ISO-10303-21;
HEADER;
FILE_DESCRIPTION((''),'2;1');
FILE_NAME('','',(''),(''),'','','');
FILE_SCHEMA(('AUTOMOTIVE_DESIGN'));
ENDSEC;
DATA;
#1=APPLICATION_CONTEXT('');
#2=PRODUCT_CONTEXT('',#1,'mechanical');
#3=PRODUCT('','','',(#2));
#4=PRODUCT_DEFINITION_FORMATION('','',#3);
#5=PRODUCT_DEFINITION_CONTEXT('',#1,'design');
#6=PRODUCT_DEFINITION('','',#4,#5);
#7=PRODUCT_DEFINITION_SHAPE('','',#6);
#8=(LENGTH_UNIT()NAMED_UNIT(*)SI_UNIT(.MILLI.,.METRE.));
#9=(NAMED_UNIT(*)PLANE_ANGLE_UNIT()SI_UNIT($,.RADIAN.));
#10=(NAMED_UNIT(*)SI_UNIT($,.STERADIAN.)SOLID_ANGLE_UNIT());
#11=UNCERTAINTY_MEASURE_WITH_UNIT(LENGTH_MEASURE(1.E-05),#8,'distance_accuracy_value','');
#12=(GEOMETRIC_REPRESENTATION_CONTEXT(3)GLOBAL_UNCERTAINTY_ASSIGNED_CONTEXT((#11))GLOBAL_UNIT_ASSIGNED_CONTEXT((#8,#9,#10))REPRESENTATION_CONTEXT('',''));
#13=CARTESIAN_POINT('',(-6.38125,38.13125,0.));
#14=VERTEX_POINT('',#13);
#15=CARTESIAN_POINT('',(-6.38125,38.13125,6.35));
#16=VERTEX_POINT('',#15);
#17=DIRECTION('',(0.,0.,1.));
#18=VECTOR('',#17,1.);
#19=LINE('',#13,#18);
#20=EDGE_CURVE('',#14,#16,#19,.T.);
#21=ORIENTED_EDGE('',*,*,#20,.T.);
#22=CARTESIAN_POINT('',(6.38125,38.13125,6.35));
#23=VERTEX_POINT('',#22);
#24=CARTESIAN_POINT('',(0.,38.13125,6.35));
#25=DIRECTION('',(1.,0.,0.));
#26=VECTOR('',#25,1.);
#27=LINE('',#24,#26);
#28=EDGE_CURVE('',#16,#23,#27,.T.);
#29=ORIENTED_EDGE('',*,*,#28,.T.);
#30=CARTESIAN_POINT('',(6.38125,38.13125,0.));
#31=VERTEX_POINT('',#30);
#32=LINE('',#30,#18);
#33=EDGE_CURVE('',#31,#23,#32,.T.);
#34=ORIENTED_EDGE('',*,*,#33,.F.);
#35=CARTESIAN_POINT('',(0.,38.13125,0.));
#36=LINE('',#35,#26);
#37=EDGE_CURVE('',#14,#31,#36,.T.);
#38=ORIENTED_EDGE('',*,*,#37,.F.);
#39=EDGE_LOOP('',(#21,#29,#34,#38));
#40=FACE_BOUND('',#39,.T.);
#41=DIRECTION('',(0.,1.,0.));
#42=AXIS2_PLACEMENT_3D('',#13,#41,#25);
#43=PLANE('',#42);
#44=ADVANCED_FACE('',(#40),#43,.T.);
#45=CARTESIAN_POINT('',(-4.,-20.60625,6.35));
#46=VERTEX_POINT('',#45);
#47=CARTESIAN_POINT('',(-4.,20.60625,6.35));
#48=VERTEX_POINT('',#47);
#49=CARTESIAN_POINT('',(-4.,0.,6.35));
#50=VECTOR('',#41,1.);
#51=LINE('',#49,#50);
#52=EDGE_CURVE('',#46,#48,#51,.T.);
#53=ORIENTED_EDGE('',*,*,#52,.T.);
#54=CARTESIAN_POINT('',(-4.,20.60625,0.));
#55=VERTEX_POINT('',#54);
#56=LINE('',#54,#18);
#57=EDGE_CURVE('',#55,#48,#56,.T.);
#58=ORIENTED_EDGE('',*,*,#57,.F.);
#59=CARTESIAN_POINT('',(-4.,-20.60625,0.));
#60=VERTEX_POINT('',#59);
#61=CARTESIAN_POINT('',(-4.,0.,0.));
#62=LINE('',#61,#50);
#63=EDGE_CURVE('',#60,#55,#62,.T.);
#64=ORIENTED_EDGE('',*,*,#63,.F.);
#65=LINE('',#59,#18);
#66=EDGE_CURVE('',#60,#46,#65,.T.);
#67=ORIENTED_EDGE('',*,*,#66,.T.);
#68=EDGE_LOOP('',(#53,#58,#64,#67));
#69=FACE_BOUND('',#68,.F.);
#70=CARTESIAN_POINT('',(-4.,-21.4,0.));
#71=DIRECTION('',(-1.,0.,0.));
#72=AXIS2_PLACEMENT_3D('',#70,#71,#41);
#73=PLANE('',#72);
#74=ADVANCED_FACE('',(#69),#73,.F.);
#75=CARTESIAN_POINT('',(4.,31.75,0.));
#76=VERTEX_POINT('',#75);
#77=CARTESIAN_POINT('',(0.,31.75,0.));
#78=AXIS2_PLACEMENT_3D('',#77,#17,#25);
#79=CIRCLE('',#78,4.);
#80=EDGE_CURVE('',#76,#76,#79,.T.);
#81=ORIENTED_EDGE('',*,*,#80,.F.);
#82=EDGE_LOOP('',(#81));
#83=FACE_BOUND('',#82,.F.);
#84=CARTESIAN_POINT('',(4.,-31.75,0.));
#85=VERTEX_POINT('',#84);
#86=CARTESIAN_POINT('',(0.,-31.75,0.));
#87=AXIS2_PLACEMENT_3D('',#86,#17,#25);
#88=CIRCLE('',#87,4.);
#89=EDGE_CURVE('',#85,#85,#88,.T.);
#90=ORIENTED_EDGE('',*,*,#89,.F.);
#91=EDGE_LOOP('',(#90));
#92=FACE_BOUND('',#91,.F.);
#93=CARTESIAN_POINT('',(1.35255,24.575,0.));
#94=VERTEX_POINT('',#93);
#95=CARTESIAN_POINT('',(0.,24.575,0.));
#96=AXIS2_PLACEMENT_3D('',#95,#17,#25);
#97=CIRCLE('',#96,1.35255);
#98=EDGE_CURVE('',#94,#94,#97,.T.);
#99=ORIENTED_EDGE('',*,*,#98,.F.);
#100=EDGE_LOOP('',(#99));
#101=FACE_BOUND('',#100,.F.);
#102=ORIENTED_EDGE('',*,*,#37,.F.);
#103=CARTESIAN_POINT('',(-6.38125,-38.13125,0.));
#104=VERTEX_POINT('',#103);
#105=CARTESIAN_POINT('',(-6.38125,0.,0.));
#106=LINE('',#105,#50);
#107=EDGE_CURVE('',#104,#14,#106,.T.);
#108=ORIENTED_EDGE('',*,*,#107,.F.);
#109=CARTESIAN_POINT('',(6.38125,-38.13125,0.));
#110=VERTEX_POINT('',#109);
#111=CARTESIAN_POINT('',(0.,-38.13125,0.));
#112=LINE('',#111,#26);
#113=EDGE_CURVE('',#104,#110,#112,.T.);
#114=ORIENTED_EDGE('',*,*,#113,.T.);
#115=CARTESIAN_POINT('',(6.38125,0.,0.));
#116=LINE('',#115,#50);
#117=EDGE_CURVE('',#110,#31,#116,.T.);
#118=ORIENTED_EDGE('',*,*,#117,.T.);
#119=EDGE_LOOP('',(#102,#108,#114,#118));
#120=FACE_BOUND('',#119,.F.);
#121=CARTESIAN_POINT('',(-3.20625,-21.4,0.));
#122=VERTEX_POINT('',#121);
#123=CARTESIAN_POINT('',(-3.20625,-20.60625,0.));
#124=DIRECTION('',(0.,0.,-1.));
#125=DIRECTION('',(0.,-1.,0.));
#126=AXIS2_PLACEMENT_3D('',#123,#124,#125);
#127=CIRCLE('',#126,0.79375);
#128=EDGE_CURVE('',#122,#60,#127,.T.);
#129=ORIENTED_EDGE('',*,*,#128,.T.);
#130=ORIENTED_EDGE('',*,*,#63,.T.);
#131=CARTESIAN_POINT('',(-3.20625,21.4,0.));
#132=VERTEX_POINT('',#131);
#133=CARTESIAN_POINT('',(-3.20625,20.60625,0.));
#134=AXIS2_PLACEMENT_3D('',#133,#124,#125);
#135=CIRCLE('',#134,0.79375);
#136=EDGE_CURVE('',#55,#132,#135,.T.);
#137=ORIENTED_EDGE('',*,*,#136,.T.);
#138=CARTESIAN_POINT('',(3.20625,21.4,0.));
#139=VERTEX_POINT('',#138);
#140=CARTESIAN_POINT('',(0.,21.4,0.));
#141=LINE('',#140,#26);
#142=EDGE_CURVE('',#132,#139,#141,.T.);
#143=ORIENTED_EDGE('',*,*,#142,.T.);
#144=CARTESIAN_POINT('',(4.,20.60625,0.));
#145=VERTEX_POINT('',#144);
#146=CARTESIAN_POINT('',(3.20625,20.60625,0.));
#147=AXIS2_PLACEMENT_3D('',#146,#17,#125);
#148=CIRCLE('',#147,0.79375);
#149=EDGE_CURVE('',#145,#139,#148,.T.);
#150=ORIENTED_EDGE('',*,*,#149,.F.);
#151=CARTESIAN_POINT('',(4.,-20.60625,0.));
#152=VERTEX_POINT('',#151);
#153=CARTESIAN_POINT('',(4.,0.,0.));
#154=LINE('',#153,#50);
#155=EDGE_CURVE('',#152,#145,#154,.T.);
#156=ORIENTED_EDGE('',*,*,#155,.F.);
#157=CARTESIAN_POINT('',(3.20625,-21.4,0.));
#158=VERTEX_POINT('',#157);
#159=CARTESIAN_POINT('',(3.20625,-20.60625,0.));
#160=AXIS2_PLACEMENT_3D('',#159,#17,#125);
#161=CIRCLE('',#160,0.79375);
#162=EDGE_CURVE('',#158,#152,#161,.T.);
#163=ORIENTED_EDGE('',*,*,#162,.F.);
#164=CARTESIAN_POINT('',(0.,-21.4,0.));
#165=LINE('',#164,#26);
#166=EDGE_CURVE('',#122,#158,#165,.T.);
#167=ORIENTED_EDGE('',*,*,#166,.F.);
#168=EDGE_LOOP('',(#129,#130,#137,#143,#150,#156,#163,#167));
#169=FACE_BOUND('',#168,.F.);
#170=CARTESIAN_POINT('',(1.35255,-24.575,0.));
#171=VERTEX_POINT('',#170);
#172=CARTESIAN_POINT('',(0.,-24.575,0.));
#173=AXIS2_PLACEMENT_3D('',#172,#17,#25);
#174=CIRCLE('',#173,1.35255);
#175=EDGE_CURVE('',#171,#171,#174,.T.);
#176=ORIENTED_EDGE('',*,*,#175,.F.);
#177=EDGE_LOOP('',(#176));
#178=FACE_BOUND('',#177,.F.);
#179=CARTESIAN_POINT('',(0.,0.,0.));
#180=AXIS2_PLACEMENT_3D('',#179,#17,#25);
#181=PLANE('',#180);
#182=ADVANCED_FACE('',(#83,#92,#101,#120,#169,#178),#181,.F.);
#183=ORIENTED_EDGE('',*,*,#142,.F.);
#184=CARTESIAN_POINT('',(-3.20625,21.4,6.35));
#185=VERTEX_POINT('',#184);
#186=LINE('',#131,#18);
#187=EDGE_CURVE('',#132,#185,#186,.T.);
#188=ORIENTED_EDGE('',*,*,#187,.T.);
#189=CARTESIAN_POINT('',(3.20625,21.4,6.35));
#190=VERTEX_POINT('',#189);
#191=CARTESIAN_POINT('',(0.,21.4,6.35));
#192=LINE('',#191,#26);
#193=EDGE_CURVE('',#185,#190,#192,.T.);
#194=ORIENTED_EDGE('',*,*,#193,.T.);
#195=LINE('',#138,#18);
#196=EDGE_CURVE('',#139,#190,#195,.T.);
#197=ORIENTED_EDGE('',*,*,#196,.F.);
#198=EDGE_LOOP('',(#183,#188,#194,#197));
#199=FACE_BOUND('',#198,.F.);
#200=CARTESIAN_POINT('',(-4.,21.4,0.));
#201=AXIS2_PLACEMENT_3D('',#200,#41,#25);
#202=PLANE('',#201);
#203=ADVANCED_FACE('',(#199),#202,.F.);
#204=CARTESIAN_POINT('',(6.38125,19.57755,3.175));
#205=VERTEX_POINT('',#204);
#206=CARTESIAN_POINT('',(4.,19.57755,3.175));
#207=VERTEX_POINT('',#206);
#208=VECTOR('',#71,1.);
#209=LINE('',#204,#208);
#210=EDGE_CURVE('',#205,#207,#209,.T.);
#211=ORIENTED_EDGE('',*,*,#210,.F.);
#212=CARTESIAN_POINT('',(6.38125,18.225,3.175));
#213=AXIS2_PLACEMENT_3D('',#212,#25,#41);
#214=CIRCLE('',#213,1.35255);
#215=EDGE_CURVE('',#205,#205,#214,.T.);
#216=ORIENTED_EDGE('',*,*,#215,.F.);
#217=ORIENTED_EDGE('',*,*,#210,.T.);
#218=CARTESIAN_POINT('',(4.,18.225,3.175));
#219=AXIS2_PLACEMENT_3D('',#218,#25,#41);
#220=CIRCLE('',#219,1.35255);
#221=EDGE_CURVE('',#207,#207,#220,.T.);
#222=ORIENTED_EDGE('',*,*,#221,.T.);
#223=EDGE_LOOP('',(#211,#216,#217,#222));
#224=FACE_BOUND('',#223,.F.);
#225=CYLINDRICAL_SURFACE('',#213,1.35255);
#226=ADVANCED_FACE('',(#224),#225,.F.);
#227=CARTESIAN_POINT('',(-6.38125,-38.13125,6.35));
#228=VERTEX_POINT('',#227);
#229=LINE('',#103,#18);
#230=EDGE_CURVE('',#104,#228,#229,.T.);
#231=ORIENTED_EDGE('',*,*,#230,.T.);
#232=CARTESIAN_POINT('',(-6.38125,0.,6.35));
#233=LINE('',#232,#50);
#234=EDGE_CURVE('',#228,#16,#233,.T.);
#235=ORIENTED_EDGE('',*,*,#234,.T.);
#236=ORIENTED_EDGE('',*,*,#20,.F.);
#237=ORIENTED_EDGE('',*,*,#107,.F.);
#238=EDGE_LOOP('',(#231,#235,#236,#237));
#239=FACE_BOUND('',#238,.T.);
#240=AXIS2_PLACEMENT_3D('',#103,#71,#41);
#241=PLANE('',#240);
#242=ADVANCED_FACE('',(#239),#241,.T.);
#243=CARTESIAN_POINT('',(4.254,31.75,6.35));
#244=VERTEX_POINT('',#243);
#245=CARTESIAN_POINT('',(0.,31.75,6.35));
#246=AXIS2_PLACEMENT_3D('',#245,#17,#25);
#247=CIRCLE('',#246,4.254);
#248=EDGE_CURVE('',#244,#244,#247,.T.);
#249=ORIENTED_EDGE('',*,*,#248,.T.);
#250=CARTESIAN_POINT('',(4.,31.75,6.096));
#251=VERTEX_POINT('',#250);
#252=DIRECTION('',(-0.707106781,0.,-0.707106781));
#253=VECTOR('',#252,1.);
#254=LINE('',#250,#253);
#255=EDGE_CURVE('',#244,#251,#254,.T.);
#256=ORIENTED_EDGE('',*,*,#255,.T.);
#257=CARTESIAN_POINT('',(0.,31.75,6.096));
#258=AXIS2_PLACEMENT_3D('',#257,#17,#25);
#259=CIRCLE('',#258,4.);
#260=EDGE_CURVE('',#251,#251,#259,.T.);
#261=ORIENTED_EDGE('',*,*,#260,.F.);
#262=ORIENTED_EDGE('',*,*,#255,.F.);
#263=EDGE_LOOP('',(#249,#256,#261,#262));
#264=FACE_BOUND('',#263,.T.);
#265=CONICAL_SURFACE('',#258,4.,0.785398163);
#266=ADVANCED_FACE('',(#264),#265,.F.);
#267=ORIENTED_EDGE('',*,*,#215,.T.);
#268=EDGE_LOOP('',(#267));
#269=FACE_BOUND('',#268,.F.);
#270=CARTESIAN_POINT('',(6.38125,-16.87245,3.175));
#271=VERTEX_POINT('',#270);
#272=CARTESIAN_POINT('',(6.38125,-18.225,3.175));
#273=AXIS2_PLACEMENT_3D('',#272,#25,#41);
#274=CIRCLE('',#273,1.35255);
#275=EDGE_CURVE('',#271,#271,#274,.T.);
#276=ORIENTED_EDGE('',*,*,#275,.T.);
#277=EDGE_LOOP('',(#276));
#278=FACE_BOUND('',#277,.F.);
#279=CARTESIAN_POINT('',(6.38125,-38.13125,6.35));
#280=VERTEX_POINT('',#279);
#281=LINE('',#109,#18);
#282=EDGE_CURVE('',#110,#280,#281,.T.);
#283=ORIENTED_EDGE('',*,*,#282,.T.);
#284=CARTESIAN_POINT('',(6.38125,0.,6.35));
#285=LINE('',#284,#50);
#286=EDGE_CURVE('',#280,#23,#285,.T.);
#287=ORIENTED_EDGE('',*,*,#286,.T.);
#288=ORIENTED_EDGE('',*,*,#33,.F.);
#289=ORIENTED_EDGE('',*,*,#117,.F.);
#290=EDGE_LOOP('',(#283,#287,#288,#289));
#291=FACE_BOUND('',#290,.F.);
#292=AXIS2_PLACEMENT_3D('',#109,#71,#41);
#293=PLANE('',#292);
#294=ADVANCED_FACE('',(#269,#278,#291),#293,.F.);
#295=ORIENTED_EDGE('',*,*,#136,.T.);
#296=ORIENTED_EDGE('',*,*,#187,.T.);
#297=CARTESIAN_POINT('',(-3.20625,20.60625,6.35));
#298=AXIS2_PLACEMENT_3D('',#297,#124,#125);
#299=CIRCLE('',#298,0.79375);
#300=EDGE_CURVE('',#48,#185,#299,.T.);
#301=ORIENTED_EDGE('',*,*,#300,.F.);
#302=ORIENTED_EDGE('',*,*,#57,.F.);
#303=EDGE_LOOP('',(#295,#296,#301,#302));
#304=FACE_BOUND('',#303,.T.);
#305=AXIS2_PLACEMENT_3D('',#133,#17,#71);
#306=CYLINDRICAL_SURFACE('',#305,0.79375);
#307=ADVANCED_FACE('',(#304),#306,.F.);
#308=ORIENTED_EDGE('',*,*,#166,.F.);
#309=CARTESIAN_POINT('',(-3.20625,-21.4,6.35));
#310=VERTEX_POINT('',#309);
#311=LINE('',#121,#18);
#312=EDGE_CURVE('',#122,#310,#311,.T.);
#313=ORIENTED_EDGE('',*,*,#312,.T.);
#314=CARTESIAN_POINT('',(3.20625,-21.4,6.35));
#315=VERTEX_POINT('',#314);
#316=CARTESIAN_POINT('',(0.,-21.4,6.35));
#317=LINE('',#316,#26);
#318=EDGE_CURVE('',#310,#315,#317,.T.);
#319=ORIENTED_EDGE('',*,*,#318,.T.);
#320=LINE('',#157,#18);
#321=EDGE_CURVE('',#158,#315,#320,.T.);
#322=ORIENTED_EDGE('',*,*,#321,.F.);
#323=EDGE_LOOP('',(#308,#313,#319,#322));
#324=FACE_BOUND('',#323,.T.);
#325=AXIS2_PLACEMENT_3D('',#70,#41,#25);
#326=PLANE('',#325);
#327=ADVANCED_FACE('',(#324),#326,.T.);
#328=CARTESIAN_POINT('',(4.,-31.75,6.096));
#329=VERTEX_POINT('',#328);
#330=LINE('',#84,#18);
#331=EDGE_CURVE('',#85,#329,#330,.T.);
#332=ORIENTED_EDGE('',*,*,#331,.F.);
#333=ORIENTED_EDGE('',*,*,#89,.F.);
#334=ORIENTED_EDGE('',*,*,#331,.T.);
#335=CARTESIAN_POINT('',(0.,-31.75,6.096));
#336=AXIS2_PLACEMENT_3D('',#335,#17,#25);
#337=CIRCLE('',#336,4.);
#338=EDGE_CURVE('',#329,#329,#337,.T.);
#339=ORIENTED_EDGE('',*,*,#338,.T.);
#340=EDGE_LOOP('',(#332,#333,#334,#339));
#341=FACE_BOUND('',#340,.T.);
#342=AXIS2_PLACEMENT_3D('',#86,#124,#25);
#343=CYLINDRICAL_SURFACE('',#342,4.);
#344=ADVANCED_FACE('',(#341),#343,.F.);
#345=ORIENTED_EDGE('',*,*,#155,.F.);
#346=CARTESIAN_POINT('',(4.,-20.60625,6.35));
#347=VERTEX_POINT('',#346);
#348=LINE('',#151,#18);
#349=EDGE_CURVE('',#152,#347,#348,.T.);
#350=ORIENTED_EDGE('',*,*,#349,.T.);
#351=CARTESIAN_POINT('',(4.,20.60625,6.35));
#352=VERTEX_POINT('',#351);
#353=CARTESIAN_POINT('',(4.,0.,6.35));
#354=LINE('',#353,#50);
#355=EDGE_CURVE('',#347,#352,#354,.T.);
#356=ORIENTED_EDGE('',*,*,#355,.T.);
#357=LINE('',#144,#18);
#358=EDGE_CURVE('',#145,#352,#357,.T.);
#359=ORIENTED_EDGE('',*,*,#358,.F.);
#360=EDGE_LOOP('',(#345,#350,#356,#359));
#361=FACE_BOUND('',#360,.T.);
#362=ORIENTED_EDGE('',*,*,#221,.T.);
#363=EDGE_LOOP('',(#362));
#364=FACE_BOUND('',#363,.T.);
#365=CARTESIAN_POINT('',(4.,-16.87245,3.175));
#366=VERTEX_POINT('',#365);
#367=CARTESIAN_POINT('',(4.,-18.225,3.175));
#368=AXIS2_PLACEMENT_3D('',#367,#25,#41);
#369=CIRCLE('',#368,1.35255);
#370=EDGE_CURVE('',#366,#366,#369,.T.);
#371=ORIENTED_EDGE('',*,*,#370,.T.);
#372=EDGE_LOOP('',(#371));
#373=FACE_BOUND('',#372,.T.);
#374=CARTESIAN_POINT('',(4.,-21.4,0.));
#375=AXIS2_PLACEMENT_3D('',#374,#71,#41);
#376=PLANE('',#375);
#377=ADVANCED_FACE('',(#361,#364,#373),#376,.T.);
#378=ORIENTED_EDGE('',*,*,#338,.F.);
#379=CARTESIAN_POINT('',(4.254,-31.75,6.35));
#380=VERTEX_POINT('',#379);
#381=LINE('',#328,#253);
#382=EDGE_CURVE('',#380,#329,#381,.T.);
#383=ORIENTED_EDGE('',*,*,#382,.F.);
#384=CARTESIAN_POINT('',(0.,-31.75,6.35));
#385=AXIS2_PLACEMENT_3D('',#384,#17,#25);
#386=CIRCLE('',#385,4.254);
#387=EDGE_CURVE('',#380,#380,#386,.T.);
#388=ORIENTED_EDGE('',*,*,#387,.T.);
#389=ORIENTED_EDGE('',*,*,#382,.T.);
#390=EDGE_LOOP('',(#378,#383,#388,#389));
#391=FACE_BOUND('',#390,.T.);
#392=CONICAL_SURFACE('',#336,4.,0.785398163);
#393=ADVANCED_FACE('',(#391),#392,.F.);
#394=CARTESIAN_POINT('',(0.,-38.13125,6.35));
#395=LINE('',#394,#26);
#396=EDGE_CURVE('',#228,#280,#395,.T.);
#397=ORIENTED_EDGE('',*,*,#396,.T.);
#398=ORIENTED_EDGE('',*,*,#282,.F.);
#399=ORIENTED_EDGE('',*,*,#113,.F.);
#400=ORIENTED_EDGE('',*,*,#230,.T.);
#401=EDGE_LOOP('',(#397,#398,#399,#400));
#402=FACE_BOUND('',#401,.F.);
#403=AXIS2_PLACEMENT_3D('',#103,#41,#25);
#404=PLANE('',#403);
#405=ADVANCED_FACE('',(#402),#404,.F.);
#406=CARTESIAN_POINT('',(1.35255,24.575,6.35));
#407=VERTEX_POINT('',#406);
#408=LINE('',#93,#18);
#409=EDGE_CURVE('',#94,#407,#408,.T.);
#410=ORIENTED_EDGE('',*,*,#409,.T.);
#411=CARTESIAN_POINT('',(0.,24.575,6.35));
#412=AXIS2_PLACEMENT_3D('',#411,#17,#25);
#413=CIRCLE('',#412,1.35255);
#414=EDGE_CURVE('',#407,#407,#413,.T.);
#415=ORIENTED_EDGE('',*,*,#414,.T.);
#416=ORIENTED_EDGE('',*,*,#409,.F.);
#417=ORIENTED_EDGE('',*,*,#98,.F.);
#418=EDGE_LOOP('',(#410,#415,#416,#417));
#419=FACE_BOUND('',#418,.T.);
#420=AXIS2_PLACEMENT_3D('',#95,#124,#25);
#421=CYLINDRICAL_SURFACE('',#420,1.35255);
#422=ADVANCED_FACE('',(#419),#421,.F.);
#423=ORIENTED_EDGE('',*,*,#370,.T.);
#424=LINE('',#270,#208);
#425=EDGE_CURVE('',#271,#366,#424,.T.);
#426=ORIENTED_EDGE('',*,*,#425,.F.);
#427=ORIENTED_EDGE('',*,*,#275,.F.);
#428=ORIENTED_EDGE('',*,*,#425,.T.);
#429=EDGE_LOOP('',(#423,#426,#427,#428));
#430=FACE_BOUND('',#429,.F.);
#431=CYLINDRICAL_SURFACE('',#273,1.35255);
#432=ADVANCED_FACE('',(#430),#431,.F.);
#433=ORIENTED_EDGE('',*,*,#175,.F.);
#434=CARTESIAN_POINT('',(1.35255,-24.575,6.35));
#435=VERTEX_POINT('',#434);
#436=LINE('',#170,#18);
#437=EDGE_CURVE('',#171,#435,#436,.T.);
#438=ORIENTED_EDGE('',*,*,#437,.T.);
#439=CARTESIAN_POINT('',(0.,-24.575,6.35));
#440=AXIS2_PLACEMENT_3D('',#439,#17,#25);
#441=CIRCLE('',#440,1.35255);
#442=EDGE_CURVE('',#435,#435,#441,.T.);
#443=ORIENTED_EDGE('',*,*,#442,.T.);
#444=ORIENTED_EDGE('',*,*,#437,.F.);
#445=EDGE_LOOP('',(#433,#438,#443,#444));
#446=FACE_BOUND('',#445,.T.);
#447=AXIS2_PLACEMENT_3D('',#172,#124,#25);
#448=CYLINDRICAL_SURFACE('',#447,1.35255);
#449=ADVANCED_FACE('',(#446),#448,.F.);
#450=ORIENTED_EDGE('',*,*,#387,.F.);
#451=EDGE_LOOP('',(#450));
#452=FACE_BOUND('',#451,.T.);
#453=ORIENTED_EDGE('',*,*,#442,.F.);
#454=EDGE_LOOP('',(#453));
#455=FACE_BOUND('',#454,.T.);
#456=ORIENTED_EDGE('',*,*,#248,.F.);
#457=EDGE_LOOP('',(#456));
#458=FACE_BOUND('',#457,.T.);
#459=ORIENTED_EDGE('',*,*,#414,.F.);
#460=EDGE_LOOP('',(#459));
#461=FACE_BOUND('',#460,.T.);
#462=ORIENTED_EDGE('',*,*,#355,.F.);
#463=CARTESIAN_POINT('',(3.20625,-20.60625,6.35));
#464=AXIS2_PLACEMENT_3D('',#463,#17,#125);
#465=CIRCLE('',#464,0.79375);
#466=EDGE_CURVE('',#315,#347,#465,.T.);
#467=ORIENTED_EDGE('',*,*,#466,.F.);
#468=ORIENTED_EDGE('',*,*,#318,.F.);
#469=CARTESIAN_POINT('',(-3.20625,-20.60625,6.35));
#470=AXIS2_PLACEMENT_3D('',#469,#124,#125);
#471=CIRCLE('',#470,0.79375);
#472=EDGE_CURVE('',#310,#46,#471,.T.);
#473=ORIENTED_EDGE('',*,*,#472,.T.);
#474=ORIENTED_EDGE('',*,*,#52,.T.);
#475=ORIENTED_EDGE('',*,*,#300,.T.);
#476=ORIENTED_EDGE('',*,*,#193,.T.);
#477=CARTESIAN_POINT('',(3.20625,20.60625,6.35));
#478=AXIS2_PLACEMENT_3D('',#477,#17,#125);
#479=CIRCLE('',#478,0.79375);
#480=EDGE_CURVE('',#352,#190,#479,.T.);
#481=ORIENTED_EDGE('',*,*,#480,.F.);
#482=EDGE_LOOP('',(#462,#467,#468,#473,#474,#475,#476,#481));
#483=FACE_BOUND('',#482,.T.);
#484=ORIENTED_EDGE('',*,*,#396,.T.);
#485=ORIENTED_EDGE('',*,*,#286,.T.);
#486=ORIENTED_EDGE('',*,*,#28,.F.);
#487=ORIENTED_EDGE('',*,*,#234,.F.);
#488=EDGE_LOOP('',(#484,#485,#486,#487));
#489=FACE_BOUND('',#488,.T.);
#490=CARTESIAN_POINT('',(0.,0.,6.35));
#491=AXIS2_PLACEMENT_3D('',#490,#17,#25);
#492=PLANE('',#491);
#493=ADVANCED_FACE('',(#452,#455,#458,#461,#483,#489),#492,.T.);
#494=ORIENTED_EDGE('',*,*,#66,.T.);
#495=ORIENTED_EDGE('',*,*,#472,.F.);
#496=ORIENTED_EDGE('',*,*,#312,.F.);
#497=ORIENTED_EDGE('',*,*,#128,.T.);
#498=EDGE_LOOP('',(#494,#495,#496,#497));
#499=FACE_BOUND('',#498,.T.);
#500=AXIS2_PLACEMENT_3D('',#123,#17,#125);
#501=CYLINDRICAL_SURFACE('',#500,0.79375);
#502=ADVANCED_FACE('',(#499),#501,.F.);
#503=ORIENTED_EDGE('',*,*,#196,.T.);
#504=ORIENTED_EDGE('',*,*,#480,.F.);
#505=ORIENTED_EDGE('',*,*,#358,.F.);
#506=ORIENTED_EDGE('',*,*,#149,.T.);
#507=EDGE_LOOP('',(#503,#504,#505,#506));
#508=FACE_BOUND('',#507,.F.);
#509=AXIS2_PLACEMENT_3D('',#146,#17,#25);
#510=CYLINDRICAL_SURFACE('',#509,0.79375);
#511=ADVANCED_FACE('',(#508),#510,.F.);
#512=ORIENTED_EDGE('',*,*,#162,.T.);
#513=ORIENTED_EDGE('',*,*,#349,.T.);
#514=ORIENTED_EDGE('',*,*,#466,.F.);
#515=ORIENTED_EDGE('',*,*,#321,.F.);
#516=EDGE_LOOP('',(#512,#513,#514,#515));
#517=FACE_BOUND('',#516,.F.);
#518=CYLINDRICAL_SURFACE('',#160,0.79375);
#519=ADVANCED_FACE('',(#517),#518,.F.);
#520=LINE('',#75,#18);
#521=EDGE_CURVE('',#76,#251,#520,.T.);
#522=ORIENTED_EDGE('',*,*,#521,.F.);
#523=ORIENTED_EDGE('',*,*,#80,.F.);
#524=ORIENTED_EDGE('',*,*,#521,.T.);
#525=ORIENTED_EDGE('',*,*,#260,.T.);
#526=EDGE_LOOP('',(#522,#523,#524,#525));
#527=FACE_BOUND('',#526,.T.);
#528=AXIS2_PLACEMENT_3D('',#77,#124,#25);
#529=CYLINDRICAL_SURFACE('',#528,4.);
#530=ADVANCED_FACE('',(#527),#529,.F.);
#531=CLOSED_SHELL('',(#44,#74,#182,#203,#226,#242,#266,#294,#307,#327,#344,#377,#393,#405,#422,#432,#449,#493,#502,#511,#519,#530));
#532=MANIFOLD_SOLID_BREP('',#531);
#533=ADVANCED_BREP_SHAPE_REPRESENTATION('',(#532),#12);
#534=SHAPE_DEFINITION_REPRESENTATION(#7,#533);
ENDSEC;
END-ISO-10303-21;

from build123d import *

# Parameters (mm, degrees)
F0_W     = 12.7625
F0_H     = 76.2625
F0_R     = 4
F0_R_2   = 1.35255
F0_W_2   = 8
F0_H_2   = 42.8
F1_DEPTH = 6.35
F2_R     = 0.79375
F3_SIZE  = 0.254
F4_R     = 1.35255
F5_DEPTH = 2.38125


with BuildPart() as f1:
    # F0 (on Top) → F1 (new body)
    with BuildSketch(Plane.XY):
        Rectangle(F0_W, F0_H)
        with Locations((0, -31.75)):
            Circle(F0_R, mode=Mode.SUBTRACT)
        with Locations((0, -24.575)):
            Circle(F0_R_2, mode=Mode.SUBTRACT)
        Rectangle(F0_W_2, F0_H_2, mode=Mode.SUBTRACT)
        with Locations((0, 24.575)):
            Circle(F0_R_2, mode=Mode.SUBTRACT)
        with Locations((0, 31.75)):
            Circle(F0_R, mode=Mode.SUBTRACT)
    extrude(amount=F1_DEPTH)

    # F2
    f2_edges = [f1.edges().sort_by_distance(p)[0] for p in [
        (4, -21.4, 3.175),
        (-4, -21.4, 3.175),
        (-4, 21.4, 3.175),
        (4, 21.4, 3.175),
    ]]
    fillet(f2_edges, radius=F2_R)

    # F3
    f3_edges = [f1.edges().sort_by_distance(p)[0] for p in [
        (-4, 31.75, 6.35),
        (-4, -31.75, 6.35),
    ]]
    chamfer(f3_edges, length=F3_SIZE)

    # F4 (on face) → F5 (cut, through all)
    with BuildSketch(Plane.YZ.offset(6.38125)):
        with Locations((-18.225, 3.175)):
            Circle(F4_R)
        with Locations((18.225, 3.175)):
            Circle(F4_R)
    extrude(amount=-F5_DEPTH, mode=Mode.SUBTRACT)


solid = f1.part
